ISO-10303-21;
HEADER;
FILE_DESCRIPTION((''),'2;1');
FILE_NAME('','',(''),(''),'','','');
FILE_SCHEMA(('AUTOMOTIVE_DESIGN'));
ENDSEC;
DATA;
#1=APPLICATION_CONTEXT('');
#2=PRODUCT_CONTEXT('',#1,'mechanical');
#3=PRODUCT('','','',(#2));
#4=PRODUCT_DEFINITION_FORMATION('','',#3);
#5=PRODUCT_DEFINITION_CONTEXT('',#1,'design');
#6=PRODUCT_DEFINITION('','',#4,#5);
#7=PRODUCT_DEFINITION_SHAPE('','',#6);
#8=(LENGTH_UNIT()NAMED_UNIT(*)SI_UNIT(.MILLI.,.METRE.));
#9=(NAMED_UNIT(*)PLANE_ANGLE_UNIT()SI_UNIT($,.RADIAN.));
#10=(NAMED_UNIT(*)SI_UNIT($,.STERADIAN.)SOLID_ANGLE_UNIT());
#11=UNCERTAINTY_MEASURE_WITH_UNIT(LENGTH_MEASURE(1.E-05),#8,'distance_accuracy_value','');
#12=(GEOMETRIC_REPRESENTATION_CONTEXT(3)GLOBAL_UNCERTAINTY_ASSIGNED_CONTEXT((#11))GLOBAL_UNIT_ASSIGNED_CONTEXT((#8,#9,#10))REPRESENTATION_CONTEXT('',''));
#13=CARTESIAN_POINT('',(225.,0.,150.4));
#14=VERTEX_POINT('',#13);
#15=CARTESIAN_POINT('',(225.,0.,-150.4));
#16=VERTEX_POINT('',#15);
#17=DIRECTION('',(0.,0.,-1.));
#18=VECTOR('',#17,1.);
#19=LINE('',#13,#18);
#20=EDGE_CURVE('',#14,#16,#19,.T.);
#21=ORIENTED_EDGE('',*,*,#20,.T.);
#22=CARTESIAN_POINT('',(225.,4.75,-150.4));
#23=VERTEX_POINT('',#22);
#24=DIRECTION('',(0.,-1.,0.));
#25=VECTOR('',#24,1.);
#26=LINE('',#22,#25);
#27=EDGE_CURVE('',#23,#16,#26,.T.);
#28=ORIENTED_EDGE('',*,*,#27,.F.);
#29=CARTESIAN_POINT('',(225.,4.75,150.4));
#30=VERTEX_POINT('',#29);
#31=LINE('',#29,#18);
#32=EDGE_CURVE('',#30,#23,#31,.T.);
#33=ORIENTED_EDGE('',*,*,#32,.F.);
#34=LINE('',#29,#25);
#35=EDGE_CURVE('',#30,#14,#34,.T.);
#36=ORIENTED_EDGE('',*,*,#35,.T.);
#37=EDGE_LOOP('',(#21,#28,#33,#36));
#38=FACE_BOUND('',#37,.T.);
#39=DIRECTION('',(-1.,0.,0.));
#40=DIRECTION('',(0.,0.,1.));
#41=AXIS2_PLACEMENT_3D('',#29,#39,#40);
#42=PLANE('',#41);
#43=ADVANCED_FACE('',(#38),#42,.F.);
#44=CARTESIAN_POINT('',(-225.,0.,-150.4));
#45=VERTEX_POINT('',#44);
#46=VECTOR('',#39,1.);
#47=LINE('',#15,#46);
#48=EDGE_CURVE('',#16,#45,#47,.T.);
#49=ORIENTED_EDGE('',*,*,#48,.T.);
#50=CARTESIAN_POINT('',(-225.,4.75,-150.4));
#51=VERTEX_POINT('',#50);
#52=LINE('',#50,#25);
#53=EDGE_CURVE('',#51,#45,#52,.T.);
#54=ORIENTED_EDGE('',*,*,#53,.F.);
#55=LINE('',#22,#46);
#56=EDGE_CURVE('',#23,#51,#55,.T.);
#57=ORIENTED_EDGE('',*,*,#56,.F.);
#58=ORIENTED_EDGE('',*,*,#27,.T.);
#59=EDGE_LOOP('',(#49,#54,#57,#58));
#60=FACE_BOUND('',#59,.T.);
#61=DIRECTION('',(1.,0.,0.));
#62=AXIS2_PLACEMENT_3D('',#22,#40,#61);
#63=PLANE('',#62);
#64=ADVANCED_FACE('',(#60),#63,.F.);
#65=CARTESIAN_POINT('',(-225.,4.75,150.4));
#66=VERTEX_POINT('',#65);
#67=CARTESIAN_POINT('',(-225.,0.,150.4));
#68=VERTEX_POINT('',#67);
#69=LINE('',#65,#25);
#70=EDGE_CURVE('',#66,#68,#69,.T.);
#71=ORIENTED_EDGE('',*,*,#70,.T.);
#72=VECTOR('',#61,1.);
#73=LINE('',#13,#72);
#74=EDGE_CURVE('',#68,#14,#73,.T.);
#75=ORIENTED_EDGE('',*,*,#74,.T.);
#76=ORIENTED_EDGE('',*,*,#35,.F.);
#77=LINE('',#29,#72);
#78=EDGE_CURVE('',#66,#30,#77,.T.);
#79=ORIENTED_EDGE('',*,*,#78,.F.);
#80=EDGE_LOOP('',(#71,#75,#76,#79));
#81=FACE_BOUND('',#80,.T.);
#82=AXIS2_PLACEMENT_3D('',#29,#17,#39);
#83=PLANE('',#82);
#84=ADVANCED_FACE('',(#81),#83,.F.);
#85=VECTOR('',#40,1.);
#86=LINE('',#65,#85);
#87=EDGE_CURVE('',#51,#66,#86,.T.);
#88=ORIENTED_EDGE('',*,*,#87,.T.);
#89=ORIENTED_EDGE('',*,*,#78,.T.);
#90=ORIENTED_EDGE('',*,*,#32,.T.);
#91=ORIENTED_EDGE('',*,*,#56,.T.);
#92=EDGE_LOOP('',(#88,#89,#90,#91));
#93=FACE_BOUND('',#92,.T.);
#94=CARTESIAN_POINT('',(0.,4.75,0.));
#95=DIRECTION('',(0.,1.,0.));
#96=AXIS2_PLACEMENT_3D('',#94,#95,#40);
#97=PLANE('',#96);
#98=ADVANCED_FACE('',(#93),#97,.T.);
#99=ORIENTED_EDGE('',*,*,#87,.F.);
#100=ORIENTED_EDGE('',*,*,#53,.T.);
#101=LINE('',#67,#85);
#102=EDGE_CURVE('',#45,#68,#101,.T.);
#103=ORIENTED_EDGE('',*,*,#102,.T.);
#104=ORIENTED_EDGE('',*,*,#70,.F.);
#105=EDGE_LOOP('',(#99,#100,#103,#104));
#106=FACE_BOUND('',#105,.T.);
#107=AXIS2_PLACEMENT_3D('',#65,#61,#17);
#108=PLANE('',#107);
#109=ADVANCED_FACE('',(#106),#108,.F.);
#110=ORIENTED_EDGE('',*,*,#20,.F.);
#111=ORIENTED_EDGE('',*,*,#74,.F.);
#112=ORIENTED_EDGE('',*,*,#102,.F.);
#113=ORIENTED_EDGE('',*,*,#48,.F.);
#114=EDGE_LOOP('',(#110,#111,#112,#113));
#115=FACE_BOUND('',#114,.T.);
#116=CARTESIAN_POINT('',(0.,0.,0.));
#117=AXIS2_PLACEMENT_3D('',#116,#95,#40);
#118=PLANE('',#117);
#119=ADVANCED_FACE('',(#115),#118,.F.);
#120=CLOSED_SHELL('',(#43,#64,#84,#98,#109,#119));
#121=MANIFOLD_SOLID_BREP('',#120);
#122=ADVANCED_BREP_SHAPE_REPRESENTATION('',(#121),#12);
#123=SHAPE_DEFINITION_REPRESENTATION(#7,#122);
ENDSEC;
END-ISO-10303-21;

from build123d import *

# Parameters (mm, degrees)
SKETCH_1_W      = 450
SKETCH_1_H      = 300.8
EXTRUDE_1_DEPTH = 4.75


with BuildPart() as part:
    # 草圖1 → 填料-伸長1 (new body)
    with BuildSketch(Plane(origin=(0, 0, 0), x_dir=(1, 0, 0), z_dir=(0, 1, 0))):
        Rectangle(SKETCH_1_W, SKETCH_1_H)
    extrude(amount=EXTRUDE_1_DEPTH)


solid = part.part
